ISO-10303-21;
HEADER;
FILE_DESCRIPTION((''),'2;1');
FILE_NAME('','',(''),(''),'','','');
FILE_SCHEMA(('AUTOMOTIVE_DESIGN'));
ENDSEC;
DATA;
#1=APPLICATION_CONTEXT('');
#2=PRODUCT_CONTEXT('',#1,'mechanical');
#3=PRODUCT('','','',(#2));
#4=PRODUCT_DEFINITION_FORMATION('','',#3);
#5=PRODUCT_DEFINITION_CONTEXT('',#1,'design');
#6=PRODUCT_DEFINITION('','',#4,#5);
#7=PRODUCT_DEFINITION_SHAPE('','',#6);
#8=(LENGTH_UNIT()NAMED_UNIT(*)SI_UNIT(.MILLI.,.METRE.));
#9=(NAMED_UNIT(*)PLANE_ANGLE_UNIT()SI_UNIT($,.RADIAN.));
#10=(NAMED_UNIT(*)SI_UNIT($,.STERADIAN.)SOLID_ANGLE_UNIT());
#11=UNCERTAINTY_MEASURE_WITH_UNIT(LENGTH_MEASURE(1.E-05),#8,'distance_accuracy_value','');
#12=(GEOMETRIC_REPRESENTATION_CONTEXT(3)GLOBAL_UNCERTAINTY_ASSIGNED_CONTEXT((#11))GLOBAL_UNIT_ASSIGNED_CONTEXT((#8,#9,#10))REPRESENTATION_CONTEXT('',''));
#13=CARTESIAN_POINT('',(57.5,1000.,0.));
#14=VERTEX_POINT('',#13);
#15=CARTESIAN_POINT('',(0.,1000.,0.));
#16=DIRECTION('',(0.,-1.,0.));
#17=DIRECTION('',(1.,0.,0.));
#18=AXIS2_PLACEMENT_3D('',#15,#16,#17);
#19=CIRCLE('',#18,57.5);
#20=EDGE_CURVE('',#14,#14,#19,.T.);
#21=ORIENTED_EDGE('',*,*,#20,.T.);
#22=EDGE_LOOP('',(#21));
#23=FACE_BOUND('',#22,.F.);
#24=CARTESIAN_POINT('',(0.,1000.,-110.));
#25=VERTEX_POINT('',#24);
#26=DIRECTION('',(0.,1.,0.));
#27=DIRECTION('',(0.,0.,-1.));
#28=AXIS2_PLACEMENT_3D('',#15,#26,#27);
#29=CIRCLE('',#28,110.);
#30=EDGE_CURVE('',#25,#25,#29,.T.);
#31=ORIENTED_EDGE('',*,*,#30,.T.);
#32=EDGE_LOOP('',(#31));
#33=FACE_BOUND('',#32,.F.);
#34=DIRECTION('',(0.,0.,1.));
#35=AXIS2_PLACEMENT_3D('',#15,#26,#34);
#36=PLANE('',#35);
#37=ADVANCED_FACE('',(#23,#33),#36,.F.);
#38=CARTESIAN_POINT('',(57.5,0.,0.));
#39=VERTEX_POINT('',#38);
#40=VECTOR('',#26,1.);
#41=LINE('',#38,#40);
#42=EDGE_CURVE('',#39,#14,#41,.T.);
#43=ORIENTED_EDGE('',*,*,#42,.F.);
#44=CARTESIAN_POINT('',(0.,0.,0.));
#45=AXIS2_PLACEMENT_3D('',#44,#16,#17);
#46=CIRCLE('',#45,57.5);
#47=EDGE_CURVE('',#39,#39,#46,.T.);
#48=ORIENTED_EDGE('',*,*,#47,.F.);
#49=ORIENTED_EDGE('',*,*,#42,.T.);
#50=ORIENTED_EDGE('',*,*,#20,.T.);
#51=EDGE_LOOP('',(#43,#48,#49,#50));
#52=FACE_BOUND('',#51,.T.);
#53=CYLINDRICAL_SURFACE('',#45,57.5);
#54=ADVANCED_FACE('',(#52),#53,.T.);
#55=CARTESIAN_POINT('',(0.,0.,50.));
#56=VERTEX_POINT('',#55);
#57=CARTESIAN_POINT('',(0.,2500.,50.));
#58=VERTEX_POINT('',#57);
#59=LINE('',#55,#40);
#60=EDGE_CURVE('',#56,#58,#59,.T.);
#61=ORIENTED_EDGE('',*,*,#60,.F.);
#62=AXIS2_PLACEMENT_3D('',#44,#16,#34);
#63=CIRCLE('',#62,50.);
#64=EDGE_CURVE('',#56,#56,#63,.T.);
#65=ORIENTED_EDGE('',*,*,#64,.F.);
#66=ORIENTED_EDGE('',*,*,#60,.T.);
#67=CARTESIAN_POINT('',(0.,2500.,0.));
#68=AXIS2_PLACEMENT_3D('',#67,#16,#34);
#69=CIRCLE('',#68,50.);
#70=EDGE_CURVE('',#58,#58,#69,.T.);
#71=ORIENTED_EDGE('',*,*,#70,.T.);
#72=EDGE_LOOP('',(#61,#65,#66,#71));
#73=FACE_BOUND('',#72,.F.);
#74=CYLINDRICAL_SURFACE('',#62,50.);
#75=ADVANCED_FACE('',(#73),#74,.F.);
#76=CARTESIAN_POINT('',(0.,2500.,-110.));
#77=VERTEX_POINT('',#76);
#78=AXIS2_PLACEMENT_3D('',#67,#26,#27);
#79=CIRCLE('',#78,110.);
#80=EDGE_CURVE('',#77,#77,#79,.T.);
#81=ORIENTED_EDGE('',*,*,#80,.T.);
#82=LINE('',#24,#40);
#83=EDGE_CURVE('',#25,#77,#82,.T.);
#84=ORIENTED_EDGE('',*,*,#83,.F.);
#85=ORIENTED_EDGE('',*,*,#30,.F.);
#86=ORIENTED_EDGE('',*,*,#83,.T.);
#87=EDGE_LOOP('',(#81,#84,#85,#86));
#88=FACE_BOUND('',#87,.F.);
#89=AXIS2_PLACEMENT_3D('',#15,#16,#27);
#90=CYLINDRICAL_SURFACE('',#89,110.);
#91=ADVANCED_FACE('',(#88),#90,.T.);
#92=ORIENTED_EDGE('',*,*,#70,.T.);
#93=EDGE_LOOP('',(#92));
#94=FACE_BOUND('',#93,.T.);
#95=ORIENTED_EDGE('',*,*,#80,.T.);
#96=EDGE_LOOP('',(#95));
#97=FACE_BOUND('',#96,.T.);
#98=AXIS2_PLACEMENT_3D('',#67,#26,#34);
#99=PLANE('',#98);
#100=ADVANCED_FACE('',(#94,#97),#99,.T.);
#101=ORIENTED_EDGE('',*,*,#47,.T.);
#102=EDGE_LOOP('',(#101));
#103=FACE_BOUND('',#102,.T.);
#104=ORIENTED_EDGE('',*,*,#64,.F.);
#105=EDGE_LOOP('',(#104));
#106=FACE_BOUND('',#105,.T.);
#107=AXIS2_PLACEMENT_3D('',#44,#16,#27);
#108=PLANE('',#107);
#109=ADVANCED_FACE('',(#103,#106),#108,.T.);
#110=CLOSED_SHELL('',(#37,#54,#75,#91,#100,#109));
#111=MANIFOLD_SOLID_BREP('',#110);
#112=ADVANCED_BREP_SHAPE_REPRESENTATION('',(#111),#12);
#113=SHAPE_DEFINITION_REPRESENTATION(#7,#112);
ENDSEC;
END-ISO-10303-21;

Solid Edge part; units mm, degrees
sketch "Sketch1" plane through (0, 0, 0) normal (0, -1, 0) x (1, 0, 0)
  circle A0 centre (0, 0) radius 57.5
extrude "Protrusion1" add sketch "Sketch1" against normal blind 1000
sketch "Sketch2" plane through (0, 1000, 0) normal (0, 1, 0) x (0, 0, -1)
  circle A0 centre (0, 0) radius 110
extrude "ExtrudedProtrusion_3" add sketch "Sketch2" along normal blind 1500
sketch "Sketch3" plane through (0, 0, 0) normal (0, -1, 0) x (0, 0, 1)
  circle A0 centre (0, 0) radius 50
extrude "ExtrudedCutout_2" cut sketch "Sketch3" against normal blind 2746.3549
properties material "Galvanized steel"
